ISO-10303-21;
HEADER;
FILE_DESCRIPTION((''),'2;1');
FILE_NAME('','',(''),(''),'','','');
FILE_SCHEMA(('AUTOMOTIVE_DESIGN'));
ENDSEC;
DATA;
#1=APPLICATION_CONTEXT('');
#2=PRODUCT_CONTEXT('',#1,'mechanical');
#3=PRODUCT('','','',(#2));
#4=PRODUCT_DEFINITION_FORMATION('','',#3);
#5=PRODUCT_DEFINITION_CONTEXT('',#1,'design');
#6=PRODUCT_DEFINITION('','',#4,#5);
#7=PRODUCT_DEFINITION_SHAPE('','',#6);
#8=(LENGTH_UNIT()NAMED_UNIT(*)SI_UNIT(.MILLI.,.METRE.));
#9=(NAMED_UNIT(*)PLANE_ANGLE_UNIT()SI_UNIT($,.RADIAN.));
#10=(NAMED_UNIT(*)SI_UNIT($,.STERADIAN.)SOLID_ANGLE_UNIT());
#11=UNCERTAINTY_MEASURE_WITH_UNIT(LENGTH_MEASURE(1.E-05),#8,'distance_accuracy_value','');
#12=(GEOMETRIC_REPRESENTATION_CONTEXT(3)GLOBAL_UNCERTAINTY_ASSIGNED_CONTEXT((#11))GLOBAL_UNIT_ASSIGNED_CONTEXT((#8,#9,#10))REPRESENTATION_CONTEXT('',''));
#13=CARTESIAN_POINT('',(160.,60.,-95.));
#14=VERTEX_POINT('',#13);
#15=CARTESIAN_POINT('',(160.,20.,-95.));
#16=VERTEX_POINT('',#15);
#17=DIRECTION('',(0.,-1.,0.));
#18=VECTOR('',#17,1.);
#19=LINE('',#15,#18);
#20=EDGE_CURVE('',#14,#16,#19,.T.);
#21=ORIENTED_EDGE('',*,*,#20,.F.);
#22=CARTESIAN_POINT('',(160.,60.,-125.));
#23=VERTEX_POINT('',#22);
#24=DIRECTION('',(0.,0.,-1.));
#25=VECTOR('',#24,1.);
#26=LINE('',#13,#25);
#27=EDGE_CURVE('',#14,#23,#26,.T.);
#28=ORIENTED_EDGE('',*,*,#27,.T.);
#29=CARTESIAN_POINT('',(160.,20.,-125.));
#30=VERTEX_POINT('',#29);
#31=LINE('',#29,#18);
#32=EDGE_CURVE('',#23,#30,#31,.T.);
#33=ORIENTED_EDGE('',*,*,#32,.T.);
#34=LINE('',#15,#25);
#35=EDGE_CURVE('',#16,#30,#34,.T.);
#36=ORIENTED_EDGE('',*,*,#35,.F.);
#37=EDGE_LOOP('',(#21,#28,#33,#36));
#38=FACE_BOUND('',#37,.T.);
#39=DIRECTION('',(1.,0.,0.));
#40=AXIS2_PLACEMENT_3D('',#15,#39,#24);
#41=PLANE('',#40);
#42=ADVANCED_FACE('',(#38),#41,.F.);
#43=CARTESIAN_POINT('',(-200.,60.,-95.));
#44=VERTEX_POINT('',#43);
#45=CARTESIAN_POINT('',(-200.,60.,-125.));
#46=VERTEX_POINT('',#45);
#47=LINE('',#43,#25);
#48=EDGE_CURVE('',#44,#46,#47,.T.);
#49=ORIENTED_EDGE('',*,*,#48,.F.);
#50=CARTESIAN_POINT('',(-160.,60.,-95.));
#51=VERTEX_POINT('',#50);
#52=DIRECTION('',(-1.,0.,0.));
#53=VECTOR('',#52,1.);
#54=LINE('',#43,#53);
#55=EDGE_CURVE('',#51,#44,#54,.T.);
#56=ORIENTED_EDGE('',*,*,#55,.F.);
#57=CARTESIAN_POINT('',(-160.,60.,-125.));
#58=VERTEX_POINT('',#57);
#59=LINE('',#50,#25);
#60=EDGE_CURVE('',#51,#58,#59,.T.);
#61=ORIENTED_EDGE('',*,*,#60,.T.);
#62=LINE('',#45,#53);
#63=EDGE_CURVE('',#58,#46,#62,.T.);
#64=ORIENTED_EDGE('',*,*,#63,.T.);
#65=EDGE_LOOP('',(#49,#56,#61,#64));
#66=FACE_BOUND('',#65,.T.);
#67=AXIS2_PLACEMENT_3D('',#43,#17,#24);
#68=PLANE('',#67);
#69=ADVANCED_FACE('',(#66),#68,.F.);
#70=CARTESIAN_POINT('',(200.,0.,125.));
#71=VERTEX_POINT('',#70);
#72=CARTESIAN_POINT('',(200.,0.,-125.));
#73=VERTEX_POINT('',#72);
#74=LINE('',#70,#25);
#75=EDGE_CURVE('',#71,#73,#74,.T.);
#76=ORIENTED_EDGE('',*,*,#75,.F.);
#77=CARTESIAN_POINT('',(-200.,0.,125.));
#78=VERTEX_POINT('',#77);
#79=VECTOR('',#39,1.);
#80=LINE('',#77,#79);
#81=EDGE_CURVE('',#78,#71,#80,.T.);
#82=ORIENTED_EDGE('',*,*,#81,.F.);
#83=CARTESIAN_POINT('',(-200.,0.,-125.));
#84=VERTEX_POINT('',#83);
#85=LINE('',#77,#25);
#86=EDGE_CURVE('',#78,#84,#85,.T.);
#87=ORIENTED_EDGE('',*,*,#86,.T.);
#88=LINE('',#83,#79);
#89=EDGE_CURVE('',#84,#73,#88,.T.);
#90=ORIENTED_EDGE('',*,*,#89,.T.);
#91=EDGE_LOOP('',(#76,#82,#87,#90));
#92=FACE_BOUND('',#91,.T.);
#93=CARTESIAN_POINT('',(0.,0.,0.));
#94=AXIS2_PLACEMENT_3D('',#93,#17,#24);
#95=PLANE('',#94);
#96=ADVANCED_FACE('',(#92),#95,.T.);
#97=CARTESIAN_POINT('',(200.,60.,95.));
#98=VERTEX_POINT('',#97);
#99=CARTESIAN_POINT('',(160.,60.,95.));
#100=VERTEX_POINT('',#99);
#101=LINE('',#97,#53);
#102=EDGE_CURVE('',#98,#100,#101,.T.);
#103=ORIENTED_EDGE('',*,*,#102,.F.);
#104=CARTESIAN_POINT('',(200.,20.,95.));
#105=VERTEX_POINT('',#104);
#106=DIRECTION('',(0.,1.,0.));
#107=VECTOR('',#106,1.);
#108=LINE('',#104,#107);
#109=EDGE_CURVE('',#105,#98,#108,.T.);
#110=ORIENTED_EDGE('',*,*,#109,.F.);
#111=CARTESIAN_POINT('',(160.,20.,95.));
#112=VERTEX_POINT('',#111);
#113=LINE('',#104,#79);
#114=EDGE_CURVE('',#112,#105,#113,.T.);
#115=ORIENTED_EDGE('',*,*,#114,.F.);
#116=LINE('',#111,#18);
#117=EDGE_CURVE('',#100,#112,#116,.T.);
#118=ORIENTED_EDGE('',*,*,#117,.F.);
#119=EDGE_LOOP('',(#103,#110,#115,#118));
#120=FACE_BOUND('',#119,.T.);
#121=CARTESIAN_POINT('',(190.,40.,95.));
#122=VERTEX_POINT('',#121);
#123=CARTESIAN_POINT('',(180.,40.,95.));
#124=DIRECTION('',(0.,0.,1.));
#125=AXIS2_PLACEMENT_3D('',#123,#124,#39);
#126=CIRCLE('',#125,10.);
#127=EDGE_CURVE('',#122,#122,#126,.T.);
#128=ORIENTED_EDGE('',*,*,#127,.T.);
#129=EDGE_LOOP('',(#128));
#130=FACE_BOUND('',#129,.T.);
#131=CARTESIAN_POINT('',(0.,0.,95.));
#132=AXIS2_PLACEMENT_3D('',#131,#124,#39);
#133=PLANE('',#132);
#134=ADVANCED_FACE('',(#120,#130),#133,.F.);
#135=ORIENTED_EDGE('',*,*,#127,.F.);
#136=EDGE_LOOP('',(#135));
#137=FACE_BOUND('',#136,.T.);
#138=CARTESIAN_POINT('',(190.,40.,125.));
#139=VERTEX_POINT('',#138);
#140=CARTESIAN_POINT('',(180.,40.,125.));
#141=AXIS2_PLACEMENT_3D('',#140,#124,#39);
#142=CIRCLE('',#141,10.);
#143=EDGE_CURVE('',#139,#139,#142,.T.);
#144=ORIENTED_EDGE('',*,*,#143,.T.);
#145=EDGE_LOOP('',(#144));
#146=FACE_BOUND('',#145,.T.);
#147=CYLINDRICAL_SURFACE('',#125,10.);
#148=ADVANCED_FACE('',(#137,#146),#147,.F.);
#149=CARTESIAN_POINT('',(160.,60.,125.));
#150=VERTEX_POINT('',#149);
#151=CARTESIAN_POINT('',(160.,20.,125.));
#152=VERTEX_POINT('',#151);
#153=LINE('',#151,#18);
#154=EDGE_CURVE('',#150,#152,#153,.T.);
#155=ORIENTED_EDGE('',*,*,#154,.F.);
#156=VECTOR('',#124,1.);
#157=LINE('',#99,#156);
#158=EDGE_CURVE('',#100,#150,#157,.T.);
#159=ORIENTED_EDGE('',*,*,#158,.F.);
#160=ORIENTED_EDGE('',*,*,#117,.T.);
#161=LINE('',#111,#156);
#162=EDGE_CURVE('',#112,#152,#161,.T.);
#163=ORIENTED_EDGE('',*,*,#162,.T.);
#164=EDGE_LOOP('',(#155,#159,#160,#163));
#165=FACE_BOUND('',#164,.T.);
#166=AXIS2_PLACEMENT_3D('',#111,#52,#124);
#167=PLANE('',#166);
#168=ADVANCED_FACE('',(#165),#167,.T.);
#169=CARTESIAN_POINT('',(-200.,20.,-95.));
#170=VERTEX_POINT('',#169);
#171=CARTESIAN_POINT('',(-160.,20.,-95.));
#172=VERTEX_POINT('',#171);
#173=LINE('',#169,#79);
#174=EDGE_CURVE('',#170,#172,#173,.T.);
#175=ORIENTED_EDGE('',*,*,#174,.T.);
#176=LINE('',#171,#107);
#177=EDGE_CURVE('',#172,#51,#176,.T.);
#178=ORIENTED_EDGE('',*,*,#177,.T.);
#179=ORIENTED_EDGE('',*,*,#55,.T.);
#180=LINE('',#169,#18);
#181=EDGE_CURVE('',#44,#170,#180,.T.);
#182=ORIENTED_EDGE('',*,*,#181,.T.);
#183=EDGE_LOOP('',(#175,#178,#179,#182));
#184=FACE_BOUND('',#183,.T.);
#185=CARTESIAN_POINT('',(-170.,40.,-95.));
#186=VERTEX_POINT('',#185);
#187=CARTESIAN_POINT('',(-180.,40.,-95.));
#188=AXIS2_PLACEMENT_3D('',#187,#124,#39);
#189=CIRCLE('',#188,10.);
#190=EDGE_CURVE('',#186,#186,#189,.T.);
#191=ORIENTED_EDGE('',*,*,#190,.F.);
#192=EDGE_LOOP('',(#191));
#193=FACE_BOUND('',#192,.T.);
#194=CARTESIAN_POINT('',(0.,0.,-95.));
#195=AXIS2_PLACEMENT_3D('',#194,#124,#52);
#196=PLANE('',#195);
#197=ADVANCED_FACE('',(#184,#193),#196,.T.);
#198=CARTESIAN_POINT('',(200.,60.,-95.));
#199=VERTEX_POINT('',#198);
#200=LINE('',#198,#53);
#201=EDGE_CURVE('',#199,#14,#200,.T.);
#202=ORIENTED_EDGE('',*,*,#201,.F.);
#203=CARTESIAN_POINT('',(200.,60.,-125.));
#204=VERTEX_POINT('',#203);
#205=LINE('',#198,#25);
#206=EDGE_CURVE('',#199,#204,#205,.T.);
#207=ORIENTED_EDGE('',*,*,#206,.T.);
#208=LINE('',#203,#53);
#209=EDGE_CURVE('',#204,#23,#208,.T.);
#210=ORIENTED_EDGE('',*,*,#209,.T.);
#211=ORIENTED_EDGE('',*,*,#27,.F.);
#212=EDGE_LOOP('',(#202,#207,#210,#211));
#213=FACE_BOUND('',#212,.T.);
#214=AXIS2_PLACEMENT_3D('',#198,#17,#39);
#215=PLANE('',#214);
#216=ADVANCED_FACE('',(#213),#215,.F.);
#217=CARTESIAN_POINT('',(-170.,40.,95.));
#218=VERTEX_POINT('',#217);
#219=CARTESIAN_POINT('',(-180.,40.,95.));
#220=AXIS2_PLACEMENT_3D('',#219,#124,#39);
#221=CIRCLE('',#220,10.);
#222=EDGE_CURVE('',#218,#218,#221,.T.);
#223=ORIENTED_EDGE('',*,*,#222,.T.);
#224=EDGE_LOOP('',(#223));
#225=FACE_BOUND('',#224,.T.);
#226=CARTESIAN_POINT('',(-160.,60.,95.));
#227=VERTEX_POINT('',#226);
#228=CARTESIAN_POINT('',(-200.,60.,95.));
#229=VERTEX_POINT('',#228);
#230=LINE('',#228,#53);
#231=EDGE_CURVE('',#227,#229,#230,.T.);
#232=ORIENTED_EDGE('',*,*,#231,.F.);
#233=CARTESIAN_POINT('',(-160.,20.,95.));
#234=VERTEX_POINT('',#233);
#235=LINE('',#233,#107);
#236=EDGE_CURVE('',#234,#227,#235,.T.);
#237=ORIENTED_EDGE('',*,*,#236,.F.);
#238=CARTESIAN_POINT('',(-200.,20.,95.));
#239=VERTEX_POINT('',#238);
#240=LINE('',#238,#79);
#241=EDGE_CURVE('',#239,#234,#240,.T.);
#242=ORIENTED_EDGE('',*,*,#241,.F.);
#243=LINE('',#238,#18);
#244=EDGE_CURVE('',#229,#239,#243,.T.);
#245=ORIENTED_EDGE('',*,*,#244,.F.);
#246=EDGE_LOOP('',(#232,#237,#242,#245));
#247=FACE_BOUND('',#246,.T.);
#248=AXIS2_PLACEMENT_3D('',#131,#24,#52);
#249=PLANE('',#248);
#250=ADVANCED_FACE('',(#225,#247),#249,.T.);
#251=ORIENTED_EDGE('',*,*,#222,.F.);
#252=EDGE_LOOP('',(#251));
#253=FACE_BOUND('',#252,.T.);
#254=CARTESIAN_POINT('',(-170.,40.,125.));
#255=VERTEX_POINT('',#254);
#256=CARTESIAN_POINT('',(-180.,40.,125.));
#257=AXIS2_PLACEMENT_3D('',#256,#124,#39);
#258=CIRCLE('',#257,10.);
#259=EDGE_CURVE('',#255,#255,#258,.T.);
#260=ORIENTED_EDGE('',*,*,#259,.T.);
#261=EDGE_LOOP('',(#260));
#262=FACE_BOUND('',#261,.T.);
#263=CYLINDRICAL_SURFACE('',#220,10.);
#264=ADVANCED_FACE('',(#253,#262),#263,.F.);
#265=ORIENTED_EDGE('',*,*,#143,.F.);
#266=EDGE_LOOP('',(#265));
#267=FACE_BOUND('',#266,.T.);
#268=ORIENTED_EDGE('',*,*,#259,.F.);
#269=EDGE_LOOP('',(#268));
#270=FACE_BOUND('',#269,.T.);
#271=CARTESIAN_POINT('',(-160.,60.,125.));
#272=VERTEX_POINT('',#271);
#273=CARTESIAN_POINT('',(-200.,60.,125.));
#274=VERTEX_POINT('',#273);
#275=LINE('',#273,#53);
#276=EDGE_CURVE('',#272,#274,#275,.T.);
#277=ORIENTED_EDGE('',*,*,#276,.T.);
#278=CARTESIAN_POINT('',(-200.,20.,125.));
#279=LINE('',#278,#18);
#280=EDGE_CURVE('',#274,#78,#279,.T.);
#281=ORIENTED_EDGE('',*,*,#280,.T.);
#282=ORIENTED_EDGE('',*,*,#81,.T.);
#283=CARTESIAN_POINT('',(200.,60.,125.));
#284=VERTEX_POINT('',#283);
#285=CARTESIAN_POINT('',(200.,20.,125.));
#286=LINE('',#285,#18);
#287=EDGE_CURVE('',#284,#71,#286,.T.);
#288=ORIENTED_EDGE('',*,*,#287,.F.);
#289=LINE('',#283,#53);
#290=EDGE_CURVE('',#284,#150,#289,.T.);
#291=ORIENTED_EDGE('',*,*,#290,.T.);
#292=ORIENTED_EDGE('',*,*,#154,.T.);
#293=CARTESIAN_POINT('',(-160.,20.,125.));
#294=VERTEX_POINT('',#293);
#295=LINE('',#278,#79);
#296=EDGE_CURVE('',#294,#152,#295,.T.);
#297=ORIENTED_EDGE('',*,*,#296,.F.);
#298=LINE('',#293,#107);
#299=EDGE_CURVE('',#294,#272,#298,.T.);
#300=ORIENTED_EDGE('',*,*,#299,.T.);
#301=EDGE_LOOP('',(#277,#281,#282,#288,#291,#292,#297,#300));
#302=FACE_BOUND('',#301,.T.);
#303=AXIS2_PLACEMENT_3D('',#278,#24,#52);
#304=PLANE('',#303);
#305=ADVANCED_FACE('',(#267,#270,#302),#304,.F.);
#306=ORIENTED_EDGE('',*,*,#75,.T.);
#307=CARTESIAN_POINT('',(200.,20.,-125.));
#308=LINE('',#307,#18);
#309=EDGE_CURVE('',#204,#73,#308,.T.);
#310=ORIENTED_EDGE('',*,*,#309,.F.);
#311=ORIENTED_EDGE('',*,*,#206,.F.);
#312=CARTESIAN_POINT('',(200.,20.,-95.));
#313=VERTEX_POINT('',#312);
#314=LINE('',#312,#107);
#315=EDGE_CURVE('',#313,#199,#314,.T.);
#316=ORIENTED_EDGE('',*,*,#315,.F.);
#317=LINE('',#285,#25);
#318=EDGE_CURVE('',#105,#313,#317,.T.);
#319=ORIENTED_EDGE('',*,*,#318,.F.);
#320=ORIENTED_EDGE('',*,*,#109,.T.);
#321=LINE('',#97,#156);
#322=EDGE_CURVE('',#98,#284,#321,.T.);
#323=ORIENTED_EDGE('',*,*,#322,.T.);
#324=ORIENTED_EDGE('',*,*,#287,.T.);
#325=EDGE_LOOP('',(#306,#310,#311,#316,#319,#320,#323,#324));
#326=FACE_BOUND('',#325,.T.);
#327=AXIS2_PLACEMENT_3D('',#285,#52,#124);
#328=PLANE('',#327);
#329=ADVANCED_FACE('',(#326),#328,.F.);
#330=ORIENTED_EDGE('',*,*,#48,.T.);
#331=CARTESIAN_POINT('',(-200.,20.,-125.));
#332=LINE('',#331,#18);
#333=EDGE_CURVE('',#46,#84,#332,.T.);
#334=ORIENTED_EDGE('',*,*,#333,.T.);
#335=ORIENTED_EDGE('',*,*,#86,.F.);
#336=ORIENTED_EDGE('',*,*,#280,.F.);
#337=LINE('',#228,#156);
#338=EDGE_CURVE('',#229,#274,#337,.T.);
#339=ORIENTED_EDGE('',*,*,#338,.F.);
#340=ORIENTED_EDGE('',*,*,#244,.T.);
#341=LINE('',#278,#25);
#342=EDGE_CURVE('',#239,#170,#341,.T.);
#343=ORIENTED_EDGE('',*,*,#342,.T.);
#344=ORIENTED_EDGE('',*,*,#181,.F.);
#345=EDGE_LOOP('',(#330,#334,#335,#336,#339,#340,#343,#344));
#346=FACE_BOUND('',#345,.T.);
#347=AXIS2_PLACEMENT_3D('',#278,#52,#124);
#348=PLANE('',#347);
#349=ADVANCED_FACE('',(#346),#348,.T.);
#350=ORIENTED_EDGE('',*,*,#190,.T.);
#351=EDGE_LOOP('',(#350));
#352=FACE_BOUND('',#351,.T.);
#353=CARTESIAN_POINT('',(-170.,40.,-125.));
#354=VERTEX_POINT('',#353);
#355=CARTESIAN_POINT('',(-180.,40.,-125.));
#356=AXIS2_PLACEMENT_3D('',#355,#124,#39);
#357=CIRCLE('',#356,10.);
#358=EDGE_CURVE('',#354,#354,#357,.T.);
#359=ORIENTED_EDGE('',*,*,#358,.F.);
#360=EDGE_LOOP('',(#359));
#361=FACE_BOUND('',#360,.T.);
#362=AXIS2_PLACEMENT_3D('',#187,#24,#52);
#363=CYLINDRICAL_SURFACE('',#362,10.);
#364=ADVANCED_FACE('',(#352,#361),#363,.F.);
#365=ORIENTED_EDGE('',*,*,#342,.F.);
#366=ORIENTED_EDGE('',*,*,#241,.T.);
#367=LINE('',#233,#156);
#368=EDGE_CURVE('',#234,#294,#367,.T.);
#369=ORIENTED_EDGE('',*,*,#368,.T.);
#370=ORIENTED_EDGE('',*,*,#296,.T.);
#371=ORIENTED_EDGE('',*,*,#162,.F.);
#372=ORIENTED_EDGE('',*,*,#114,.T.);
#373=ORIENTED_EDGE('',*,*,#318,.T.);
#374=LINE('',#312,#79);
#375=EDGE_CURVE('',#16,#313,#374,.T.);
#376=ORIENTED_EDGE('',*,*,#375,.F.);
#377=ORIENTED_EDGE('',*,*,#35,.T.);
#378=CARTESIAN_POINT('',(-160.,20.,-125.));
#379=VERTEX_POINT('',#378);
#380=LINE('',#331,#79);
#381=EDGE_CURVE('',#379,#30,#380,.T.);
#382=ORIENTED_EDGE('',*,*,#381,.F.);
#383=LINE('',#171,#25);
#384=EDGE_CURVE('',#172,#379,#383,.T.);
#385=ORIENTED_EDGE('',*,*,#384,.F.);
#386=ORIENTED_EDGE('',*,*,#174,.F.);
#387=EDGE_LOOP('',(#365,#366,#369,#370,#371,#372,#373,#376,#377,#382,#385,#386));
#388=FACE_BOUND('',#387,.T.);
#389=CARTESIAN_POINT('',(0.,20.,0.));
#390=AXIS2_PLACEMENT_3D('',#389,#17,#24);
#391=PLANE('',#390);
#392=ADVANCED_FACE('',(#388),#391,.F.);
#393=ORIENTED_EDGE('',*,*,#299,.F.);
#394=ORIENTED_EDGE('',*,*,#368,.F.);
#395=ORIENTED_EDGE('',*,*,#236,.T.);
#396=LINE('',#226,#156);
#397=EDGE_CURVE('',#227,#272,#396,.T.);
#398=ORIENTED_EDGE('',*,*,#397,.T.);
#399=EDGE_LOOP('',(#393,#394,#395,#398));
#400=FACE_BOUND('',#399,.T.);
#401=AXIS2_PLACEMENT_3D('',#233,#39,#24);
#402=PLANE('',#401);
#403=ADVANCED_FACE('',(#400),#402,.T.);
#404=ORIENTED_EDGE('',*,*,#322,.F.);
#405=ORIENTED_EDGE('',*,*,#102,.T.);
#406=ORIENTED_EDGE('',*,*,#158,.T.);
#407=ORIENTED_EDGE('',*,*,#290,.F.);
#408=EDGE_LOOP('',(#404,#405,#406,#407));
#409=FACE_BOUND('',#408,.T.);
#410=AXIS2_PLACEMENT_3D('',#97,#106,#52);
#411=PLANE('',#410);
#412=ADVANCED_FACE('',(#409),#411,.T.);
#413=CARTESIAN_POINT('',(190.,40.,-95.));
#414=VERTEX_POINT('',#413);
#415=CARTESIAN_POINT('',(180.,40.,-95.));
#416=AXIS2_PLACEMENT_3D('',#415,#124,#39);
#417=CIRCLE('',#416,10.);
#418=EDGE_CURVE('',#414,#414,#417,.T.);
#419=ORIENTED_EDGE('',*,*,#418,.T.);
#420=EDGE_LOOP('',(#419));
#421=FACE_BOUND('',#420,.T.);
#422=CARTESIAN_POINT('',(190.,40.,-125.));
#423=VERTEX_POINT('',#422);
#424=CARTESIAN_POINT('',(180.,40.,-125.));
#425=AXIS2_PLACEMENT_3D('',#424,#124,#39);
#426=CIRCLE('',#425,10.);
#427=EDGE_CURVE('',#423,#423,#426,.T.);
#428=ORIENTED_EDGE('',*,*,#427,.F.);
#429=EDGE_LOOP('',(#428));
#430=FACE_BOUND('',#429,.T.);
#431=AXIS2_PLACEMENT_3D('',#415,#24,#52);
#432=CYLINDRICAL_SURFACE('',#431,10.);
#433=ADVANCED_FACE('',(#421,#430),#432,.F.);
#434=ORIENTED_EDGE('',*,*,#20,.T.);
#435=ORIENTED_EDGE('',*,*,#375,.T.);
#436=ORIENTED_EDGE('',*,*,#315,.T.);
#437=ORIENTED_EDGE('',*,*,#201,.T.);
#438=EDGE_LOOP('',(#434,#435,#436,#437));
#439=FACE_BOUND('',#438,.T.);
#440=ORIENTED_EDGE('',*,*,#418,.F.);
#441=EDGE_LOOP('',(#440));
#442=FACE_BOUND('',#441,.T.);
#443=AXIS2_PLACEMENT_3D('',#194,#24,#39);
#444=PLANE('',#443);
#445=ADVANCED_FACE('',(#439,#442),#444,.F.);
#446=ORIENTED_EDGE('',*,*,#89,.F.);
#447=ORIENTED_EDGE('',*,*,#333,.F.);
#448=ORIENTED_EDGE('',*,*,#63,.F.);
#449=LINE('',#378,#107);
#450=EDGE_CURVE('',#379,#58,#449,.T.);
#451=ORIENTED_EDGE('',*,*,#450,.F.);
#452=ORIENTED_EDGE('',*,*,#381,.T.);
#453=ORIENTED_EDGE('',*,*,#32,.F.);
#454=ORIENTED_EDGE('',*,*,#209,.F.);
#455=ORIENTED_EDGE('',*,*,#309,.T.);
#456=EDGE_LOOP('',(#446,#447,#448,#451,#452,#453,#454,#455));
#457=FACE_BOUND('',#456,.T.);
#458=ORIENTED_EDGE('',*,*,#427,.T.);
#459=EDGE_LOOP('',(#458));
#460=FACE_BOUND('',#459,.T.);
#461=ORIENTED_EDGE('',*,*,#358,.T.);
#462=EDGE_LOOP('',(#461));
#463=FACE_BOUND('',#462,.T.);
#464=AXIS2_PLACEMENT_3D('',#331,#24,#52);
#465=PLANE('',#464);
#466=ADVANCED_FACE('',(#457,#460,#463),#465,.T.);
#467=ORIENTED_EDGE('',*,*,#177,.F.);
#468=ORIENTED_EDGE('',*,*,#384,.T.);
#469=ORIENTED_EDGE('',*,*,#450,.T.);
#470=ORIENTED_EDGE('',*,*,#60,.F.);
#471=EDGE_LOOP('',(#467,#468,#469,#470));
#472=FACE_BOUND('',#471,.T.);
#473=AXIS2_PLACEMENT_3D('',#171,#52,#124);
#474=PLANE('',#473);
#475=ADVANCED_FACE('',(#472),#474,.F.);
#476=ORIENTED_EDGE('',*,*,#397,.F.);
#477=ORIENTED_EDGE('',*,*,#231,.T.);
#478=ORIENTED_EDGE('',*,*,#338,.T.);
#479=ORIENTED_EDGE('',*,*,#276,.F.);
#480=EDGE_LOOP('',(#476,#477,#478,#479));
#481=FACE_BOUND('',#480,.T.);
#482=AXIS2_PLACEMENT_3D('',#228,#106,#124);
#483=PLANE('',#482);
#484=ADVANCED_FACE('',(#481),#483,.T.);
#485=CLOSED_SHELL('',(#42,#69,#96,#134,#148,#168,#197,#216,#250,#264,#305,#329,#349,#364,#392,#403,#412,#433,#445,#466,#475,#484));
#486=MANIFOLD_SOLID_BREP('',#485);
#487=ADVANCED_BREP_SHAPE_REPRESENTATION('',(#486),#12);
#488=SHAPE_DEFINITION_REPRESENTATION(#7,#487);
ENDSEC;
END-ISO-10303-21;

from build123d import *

# Parameters (mm, degrees)
SKETCH1_W           = 400
SKETCH1_H           = 250
BOSS_EXTRUDE1_DEPTH = 20
SKETCH2_W           = 40
SKETCH2_H           = 40
SKETCH2_R           = 10
BOSS_EXTRUDE2_DEPTH = 30


with BuildPart() as part:
    # Sketch1 → Boss-Extrude1 (new body)
    with BuildSketch(Plane(origin=(0, 0, 0), x_dir=(1, 0, 0), z_dir=(0, 1, 0))):
        Rectangle(SKETCH1_W, SKETCH1_H)
    extrude(amount=BOSS_EXTRUDE1_DEPTH)

    # Sketch2 → Boss-Extrude2 (add)
    with BuildSketch(Plane.XY.offset(125)):
        with Locations((-180, 40)):
            Rectangle(SKETCH2_W, SKETCH2_H)
        with Locations((-180, 40)):
            Circle(SKETCH2_R, mode=Mode.SUBTRACT)
        with Locations((180, 40)):
            Rectangle(SKETCH2_W, SKETCH2_H)
        with Locations((180, 40)):
            Circle(SKETCH2_R, mode=Mode.SUBTRACT)
    boss_extrude2 = extrude(amount=-BOSS_EXTRUDE2_DEPTH)

    # Mirror1: Boss-Extrude2 across plane
    add(boss_extrude2.mirror(Plane.XY))


solid = part.part
